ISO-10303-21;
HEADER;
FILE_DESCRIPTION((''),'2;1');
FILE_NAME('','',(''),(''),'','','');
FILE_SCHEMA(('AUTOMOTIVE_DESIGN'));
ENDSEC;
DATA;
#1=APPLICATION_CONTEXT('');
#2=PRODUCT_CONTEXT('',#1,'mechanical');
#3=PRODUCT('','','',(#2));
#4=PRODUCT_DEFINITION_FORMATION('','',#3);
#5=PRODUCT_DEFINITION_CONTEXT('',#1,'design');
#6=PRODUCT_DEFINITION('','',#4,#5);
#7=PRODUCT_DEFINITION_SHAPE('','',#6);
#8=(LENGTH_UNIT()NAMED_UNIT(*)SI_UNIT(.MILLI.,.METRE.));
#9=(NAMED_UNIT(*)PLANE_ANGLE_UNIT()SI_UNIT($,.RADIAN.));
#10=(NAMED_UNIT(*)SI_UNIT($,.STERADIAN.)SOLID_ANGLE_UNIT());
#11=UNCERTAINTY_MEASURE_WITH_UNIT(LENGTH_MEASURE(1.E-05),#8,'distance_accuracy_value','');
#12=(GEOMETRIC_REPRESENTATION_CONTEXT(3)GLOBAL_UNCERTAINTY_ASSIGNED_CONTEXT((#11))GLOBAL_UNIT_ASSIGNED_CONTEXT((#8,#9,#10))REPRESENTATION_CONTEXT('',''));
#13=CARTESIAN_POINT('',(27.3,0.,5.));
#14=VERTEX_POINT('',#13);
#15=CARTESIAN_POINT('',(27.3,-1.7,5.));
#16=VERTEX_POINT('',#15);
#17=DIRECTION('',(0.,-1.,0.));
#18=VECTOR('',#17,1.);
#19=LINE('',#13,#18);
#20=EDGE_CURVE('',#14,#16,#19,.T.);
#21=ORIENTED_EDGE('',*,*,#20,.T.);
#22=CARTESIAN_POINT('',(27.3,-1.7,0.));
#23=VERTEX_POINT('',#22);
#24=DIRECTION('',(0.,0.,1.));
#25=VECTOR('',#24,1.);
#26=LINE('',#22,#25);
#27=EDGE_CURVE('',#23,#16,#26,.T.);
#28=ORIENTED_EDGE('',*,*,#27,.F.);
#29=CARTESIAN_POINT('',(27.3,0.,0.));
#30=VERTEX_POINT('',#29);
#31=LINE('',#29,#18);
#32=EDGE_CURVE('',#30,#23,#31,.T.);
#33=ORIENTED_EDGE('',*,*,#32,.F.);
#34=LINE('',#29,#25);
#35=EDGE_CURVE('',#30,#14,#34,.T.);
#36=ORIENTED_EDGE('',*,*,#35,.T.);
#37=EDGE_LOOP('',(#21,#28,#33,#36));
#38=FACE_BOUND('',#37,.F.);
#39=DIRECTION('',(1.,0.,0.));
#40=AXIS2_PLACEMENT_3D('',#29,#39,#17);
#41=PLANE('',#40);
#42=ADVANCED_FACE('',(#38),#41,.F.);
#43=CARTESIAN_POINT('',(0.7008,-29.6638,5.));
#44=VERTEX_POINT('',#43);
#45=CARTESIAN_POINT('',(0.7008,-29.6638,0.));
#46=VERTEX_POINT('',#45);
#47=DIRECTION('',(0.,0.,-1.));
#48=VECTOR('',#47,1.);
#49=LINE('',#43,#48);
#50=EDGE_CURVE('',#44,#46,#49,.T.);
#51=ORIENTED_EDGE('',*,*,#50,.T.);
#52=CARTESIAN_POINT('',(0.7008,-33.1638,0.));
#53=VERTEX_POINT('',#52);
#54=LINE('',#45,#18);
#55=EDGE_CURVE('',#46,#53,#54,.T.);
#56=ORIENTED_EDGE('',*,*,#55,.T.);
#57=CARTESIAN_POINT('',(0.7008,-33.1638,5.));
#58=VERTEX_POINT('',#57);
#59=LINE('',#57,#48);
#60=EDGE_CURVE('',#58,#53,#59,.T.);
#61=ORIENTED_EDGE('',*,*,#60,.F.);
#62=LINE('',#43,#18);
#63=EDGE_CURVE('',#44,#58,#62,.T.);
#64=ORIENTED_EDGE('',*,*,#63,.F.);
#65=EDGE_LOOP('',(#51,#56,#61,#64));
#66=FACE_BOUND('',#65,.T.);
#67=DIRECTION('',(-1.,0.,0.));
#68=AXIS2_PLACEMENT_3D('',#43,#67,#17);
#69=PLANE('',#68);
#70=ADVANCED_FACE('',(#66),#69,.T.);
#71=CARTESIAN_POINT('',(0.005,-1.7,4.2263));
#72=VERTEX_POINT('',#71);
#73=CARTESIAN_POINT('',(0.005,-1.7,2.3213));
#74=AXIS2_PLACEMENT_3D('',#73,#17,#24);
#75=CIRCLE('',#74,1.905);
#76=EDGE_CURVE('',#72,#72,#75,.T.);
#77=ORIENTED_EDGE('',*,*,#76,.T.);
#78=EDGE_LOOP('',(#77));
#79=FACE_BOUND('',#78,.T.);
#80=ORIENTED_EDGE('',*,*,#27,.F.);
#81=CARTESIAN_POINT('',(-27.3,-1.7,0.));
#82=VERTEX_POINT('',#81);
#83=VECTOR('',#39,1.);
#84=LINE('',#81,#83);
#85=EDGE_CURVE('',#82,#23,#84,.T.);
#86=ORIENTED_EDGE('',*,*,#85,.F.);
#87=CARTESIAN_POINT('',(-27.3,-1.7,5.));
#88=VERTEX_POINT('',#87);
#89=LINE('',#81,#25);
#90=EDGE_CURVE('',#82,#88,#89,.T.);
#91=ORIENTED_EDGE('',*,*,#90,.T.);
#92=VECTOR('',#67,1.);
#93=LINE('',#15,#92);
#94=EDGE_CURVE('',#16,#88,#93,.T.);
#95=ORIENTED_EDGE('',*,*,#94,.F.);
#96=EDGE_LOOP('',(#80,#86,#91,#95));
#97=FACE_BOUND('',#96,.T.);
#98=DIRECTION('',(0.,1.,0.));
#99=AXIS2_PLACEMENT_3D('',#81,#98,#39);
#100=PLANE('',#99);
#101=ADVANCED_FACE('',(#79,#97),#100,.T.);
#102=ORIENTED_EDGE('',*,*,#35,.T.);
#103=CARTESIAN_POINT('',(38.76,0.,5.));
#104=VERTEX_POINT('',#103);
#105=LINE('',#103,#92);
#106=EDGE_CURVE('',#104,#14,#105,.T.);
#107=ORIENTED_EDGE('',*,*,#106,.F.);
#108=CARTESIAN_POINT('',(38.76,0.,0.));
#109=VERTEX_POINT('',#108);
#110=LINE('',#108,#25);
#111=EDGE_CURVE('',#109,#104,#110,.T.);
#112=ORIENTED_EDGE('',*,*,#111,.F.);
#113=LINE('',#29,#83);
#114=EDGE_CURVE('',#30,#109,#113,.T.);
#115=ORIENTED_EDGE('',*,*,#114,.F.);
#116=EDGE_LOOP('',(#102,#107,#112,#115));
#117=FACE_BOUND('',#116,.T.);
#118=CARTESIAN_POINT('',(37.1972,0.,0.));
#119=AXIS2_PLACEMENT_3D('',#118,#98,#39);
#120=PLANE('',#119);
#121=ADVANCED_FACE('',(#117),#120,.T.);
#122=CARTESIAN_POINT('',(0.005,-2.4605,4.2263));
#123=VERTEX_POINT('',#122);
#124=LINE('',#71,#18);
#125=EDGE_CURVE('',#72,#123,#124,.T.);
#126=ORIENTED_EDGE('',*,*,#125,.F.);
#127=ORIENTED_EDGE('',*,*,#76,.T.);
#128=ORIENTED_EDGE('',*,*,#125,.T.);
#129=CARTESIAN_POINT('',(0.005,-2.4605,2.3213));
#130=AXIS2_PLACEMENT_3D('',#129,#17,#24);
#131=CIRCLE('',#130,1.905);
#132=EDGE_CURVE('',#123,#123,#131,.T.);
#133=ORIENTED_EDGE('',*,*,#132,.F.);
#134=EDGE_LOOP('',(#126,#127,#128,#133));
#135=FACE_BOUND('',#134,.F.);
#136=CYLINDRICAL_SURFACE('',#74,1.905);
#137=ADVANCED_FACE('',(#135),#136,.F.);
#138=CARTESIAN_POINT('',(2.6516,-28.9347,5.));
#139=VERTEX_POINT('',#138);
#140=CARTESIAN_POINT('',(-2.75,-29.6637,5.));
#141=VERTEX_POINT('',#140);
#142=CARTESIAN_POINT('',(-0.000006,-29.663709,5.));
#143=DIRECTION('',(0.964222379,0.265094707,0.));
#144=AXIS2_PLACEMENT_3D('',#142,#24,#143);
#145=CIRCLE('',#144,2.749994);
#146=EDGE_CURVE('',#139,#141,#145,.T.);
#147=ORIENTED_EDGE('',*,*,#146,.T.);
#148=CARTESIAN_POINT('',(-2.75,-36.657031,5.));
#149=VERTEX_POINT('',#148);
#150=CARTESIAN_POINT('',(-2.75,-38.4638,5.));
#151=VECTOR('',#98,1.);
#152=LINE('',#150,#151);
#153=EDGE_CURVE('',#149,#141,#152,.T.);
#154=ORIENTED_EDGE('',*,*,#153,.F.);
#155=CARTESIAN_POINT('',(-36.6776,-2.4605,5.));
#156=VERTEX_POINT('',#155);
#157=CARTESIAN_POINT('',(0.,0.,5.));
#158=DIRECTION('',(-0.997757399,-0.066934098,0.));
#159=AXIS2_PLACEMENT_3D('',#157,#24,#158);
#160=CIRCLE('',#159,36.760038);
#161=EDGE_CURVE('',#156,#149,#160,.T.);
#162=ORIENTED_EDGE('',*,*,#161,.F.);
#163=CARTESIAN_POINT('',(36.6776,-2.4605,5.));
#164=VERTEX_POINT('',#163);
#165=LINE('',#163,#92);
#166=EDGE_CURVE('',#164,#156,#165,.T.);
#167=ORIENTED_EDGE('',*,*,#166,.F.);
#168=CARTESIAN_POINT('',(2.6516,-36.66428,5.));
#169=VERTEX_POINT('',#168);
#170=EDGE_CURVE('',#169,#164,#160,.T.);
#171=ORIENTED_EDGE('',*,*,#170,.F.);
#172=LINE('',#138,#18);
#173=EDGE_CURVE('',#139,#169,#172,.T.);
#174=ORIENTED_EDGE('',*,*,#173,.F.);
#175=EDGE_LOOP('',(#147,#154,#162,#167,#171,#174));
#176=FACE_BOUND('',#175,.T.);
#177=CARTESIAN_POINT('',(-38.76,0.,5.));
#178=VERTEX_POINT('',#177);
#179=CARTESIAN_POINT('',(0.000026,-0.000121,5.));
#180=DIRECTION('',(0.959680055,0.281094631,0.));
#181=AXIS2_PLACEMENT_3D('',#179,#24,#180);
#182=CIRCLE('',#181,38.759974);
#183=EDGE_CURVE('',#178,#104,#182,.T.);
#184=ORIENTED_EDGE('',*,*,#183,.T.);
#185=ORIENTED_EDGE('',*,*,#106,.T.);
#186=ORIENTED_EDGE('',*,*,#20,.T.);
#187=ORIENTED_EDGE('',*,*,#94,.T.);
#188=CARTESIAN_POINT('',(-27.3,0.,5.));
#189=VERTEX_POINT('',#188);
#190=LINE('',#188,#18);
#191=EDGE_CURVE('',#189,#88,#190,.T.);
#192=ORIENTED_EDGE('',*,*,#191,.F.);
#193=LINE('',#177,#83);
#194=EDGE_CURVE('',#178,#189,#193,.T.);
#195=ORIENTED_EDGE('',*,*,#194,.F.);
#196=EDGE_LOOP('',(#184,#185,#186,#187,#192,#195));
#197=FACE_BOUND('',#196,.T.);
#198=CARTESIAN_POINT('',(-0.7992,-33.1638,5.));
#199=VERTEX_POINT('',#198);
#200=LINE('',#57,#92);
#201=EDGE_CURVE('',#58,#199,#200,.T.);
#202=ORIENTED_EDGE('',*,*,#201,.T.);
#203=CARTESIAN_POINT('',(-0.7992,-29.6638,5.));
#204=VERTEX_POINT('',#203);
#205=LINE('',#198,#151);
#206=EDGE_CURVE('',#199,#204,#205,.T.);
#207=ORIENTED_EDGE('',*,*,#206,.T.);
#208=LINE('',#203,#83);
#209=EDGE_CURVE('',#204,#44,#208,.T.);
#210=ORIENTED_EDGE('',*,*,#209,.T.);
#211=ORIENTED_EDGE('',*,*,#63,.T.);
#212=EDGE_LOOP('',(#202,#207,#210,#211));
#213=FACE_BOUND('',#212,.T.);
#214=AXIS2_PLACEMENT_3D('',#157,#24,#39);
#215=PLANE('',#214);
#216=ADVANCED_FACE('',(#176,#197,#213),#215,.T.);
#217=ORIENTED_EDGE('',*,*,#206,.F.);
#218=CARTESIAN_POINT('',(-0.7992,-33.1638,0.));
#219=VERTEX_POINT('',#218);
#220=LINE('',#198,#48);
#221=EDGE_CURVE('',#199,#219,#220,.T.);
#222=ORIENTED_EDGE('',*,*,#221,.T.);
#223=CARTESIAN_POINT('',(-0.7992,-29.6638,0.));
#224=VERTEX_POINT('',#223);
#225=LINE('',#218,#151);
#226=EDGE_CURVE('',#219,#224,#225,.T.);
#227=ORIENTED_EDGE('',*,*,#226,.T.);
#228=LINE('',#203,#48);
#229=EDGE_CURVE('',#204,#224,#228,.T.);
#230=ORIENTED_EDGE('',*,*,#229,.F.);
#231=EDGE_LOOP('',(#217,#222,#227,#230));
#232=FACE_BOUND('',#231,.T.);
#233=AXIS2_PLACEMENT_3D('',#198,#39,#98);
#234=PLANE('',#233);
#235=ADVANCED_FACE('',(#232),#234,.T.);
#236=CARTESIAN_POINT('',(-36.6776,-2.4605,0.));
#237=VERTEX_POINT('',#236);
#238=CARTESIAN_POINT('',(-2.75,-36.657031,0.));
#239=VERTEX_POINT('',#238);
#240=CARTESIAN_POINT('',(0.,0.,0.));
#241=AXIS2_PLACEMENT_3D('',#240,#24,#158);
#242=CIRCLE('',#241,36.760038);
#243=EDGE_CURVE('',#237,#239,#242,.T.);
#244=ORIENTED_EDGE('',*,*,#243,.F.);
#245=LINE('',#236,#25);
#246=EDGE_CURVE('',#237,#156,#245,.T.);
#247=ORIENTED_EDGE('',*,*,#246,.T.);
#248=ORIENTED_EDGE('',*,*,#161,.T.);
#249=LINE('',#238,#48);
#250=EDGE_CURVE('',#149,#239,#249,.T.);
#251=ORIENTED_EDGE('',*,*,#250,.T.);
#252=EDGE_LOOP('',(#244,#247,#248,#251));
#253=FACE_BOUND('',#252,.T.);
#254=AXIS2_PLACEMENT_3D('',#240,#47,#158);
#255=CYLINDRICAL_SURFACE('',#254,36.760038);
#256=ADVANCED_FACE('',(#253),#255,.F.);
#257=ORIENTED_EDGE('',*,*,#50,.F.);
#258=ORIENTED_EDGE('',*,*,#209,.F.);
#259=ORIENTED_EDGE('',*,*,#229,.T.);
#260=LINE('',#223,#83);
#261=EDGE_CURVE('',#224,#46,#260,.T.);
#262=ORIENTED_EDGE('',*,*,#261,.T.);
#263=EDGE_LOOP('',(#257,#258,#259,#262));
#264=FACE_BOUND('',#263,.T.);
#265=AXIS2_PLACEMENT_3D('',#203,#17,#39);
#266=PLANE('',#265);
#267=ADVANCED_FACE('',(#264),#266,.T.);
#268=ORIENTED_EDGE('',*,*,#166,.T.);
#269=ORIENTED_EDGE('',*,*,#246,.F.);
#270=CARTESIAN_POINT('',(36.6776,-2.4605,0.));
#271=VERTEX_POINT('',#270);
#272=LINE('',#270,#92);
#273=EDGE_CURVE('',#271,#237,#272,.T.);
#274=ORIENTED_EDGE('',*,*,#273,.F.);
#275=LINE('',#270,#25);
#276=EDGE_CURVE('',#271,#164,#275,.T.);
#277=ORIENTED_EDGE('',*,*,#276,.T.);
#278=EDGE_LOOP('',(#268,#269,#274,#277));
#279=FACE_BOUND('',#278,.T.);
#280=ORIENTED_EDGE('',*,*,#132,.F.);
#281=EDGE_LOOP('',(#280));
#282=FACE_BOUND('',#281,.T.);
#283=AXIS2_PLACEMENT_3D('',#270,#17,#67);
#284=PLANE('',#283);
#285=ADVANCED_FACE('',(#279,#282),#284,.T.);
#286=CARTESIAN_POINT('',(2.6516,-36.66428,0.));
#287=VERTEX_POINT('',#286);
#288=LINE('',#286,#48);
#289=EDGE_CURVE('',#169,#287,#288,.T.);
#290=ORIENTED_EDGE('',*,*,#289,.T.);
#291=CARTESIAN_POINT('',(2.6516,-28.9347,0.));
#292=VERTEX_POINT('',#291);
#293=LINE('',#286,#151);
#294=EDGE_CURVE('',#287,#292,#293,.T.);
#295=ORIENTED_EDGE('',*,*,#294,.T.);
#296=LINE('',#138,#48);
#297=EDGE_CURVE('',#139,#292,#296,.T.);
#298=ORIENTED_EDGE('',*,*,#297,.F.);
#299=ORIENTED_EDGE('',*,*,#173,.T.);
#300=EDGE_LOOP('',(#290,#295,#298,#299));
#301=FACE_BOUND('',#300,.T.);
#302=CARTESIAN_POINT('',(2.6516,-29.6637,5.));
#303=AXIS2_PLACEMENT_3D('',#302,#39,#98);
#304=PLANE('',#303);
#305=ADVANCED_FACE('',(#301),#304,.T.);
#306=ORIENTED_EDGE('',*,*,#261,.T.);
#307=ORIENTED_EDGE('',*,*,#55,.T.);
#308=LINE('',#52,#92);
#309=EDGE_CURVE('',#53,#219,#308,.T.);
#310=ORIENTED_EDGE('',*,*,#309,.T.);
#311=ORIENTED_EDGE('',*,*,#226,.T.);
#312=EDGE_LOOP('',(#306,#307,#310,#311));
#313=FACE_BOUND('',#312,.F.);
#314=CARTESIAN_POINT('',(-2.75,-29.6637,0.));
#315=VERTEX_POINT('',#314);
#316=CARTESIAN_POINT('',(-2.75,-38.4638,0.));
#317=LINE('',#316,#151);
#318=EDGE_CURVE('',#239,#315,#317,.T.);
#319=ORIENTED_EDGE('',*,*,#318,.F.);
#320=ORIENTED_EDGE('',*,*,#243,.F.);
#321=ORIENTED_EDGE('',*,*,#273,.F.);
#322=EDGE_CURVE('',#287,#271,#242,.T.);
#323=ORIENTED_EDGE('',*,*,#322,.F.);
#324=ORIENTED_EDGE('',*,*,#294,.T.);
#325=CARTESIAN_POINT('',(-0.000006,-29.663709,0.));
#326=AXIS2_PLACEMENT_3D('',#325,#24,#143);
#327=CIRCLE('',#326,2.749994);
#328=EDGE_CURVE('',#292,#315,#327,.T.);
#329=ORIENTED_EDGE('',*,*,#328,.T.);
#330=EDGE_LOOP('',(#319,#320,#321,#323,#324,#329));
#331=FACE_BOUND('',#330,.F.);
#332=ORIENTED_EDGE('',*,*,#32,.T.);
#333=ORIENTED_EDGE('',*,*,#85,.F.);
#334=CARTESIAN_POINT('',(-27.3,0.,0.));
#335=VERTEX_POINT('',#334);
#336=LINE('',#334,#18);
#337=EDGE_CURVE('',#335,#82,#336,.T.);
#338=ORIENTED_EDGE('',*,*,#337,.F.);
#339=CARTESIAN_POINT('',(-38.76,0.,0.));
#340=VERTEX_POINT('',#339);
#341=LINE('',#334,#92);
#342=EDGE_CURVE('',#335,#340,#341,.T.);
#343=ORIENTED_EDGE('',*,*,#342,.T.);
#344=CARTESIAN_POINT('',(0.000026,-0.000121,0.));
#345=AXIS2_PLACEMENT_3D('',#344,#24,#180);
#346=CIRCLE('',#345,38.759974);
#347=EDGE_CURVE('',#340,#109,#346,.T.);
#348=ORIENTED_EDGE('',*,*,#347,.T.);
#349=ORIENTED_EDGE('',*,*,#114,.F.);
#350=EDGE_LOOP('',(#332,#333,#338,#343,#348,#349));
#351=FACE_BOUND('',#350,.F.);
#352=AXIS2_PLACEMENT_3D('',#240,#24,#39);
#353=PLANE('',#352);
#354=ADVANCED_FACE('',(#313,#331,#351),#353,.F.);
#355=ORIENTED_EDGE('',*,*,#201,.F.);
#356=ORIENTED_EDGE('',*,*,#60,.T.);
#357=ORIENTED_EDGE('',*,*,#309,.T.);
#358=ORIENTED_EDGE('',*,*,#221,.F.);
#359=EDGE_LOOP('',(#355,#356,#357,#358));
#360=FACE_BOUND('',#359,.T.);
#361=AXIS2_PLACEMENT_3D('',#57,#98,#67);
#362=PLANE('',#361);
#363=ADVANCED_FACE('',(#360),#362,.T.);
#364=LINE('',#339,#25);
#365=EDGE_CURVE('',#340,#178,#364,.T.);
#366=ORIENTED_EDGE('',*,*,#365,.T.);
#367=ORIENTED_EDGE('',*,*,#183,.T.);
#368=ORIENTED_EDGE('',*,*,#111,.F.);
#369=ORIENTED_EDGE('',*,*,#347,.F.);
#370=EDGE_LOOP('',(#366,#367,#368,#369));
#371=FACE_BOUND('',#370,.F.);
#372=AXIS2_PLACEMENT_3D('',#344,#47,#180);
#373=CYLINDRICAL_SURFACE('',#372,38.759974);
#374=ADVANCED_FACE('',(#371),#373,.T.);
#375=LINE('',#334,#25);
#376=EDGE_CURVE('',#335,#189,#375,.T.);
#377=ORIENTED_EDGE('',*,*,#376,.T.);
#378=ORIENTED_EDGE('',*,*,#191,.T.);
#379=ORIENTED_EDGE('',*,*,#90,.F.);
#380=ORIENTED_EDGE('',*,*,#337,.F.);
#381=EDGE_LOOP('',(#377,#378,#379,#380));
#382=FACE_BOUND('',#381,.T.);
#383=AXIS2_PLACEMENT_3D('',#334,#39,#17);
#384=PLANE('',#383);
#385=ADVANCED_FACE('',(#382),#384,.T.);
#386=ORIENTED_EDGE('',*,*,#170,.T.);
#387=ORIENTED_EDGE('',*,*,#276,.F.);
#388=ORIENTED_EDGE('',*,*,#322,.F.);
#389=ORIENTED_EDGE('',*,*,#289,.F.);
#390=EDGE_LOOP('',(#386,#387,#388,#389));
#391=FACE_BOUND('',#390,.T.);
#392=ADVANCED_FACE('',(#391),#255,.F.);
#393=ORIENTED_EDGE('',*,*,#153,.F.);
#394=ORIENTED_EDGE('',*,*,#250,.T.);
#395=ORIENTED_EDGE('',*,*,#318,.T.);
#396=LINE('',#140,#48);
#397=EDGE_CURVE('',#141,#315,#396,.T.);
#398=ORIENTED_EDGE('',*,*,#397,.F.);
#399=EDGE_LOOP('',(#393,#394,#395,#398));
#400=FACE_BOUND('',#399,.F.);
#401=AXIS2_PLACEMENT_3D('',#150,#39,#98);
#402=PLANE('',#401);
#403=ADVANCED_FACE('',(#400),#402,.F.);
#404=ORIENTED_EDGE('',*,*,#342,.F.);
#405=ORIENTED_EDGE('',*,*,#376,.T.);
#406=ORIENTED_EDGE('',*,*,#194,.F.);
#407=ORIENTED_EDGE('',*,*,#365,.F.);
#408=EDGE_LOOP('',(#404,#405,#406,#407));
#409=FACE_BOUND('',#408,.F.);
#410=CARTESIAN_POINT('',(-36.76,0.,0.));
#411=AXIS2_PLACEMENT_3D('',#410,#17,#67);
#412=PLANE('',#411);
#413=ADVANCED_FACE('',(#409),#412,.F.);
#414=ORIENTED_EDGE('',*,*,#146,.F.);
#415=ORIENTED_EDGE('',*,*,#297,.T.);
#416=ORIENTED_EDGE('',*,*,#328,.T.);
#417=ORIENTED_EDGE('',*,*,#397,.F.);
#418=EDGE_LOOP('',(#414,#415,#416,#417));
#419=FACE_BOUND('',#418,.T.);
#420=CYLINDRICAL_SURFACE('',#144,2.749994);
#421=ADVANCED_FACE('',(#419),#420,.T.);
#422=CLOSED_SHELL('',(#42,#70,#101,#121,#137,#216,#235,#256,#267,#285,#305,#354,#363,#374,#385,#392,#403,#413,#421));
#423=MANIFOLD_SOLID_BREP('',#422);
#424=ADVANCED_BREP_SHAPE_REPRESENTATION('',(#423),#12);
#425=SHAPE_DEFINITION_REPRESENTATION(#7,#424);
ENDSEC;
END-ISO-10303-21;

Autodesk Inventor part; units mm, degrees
ref_plane "YZ Plane" through (0, 0, 0) normal (1, 0, 0) x (0, 1, 0)
ref_plane "XZ Plane" through (0, 0, 0) normal (0, 1, 0) x (-1, 0, 0)
ref_plane "XY Plane" through (0, 0, 0) normal (0, 0, 1) x (1, 0, 0)
sketch "Sketch1" plane through (0, 0, 0) normal (0, 0, 1) x (1, 0, 0)
  arc A0 (37.1972, 10.8951) -> (38.76, 0) centre (0, 0) ccw
  arc A1 (-36.6776, -2.4605) -> (36.6776, -2.4605) centre (0, 0) ccw
  line L0 (-36.76, 0) -> (36.76, 0)
  line L1 (-36.76, 0) -> (37.1972, 0)
  line L2 (36.6776, -2.4605) -> (-36.6776, -2.4605)
  line L3 (-36.76, 0) -> (-38.76, 0)
  line L4 (37.1972, 0) -> (38.76, 0)
  line L5 (0, 0) -> (27.3, 0)
  line L6 (27.3, 0) -> (27.3, -1.7)
  line L7 (27.3, -1.7) -> (0, -1.7)
  line L8 (0, -1.7) -> (0, 0)
  line L9 (-27.3, 0) -> (-27.3, -1.7)
  line L10 (-27.3, -1.7) -> (0, -1.7)
  dimension "d0" = 77.52
  dimension "d1" = 2
extrude "Extrusion1" add sketch "Sketch1" along normal blind 5 contours L3 L0 L9 L10 L7 L6 L1 L4 A0
sketch "Sketch2" plane through (-27.3, -1.7, 0) normal (0, 1, 0) x (1, 0, 0)
  line L0 (54.6, 0) -> (0, 0) projected
  line L1 (54.6, 0) -> (54.6, -5) projected
  line L2 (0, 0) -> (0, -5) projected
  point P0 (27.3, 0)
  point P1 (27.305, -2.3213)
  dimension "d7" = 2.3213
  dimension "d28" = 27.305
hole "Hole1" at (0.005, -1.7, 2.3213) direction (0, -1, 0) diameter 3.81 depth 2.54
sketch "Sketch3" plane through (0, 0, 5) normal (0, 0, 1) x (1, 0, 0)
  arc A0 (2.6516, -28.9347) -> (-2.75, -29.6637) centre (0, -29.6637) ccw
  line L0 (-0.7992, -29.6638) -> (0.7008, -29.6638)
  line L1 (2.6516, -29.6637) -> (2.6516, -38.4638)
  line L2 (2.6516, -38.4638) -> (-2.75, -38.4638)
  line L3 (-2.75, -38.4638) -> (-2.75, -29.6637)
  line L4 (-0.7992, -29.6638) -> (0.7008, -29.6638)
  line L5 (0.7008, -29.6638) -> (0.7008, -33.1638)
  line L6 (0.7008, -33.1638) -> (-0.7992, -33.1638)
  line L7 (-0.7992, -33.1638) -> (-0.7992, -29.6638)
  line L8 (2.6516, -29.6637) -> (2.6516, -28.9347)
  point P0 (0, 0)
  point P1 (-0.0492, -29.6638)
  point P2 (2.6516, -30.3927)
  dimension "d16" = 5.5
  dimension "d17" = 3.5
  dimension "d18" = 1.5
  dimension "d19" = 0.75
extrude "Extrusion2" add sketch "Sketch3" against normal up to surface (5 mm away)
properties part number "Siding Lock"
